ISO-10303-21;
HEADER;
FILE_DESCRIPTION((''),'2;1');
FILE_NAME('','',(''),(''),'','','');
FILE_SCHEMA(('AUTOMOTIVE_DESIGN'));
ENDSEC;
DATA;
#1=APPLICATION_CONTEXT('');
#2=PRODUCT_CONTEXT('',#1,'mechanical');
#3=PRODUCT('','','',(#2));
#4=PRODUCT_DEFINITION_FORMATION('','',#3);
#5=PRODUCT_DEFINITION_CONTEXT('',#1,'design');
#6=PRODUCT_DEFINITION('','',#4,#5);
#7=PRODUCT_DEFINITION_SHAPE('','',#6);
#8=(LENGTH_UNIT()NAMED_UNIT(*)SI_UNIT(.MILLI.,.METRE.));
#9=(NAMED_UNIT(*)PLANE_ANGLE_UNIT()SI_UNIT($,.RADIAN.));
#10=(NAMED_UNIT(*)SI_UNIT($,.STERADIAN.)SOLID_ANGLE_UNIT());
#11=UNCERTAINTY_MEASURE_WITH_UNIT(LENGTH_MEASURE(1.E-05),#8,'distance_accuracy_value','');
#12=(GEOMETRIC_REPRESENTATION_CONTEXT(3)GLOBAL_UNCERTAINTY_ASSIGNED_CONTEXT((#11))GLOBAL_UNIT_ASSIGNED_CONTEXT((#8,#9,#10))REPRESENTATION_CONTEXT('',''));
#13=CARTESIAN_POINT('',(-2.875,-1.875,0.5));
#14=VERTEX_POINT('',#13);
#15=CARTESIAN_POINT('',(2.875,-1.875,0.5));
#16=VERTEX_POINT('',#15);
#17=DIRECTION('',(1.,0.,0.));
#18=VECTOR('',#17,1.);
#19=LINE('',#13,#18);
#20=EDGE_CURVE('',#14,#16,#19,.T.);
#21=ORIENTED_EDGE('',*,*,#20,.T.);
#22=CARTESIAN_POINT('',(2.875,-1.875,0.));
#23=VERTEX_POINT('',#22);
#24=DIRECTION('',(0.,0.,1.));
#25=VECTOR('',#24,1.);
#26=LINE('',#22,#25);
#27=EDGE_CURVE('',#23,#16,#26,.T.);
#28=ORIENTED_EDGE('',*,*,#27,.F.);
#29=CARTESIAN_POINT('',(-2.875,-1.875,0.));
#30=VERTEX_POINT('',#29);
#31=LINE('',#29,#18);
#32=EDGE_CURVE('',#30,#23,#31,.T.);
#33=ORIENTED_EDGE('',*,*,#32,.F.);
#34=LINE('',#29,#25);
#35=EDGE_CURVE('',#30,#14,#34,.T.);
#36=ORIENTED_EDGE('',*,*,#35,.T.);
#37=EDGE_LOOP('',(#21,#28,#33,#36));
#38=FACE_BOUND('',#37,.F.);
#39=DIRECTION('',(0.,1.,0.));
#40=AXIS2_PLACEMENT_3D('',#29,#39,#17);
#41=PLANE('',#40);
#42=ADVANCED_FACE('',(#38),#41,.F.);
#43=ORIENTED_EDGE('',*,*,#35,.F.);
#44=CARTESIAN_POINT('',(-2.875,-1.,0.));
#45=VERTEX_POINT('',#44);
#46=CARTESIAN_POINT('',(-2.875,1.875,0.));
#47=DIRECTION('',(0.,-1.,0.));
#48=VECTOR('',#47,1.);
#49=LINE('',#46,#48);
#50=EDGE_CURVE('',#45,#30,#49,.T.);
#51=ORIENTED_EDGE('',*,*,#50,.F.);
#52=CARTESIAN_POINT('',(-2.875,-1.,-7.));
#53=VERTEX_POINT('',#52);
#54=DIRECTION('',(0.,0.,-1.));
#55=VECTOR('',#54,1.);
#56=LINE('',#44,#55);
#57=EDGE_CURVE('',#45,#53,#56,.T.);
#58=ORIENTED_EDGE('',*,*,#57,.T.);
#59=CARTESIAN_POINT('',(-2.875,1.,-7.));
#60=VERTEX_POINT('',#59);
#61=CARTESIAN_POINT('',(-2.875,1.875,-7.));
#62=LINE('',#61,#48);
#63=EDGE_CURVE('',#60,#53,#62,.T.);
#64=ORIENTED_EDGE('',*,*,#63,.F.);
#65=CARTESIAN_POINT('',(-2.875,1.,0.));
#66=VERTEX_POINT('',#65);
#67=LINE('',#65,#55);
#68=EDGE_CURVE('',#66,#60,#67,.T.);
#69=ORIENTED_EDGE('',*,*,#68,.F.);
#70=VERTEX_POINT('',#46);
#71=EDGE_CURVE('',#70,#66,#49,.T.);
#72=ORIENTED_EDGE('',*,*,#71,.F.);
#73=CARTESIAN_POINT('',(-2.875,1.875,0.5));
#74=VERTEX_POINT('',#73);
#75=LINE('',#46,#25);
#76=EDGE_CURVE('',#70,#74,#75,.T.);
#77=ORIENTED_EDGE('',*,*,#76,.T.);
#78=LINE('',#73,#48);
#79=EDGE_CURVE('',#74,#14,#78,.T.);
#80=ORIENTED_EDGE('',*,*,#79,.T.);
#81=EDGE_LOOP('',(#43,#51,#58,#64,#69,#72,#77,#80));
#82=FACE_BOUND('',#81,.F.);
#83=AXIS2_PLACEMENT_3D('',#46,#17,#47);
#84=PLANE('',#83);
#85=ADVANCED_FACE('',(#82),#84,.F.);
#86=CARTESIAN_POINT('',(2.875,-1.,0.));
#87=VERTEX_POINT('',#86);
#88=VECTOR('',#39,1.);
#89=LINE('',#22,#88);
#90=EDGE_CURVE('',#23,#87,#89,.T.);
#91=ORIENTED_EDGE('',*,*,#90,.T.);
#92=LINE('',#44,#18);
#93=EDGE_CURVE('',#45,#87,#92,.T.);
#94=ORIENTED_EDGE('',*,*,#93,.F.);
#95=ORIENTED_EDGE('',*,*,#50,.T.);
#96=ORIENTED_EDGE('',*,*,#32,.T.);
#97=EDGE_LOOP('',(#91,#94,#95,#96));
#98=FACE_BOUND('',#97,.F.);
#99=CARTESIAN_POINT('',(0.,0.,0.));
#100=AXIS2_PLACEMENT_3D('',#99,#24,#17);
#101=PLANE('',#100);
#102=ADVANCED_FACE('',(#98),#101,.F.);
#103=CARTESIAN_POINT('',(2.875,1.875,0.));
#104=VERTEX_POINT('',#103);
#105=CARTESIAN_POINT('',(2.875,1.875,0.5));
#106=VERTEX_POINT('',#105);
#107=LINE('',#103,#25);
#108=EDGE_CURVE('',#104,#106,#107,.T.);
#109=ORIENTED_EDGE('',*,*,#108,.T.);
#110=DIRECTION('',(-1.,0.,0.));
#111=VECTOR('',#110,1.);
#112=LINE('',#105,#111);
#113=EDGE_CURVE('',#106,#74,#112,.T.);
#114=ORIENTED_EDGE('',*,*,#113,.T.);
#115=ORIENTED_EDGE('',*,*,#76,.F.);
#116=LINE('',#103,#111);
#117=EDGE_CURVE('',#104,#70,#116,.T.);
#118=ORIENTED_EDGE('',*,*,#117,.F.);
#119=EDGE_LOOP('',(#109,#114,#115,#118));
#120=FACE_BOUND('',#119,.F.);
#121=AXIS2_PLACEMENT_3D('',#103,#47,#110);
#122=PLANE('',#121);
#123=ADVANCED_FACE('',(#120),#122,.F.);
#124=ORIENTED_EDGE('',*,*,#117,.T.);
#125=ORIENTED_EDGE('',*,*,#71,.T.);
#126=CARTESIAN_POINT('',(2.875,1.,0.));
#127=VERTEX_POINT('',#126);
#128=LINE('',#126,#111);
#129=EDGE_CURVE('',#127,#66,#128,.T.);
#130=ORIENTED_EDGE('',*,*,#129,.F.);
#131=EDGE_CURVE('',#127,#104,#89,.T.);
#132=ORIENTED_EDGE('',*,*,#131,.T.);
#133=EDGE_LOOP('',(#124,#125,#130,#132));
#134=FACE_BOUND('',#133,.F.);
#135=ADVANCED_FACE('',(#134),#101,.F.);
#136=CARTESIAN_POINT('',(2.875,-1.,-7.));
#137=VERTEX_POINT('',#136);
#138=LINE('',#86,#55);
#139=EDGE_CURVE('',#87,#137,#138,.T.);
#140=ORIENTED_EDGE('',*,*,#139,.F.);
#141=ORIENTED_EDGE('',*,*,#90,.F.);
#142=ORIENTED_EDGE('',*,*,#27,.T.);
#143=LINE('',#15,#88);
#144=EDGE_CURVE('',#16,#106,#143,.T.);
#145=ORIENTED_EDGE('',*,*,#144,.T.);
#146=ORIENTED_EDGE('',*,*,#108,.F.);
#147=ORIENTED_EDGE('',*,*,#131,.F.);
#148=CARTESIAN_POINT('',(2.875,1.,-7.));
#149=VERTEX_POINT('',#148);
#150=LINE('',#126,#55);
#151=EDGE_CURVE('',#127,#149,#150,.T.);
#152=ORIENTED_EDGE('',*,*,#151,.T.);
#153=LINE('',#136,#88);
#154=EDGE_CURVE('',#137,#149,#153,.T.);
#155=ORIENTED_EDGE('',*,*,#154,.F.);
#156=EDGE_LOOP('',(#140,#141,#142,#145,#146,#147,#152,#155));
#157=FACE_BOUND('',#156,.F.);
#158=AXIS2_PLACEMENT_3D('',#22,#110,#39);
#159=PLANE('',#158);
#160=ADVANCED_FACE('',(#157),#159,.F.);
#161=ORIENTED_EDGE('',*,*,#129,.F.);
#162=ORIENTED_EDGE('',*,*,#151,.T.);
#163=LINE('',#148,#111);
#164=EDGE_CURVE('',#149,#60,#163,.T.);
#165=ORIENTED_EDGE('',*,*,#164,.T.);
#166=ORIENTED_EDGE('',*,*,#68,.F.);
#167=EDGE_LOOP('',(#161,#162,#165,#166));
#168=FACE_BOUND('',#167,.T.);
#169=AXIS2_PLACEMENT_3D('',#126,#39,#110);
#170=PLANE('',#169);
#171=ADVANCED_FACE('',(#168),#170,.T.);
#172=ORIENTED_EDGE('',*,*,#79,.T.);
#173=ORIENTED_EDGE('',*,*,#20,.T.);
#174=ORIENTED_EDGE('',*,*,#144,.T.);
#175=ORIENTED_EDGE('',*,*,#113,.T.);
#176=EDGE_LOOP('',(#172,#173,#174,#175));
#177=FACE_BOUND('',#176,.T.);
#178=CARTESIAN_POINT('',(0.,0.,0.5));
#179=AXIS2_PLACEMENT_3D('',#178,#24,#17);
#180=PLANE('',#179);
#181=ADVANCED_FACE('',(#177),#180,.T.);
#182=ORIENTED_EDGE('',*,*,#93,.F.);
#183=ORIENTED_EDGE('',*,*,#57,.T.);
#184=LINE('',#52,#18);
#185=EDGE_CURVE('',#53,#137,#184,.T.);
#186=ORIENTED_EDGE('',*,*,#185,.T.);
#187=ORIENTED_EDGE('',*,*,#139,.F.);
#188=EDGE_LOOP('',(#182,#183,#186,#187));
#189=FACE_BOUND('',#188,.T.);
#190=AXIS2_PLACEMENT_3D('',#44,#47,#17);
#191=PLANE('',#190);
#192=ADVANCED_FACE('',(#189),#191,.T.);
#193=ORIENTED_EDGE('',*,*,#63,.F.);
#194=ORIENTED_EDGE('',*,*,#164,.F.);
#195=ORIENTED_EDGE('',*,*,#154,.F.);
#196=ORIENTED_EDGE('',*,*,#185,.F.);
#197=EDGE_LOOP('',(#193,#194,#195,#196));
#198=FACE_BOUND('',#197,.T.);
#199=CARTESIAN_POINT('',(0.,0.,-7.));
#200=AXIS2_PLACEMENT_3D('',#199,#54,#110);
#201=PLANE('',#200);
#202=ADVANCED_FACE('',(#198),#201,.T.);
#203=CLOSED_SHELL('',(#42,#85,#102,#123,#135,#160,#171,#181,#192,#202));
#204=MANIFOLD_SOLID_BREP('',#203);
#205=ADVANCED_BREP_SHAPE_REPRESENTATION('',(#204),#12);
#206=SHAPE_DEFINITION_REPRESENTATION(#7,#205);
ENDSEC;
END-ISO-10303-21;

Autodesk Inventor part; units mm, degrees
ref_plane "YZ Plane" through (0, 0, 0) normal (1, 0, 0) x (0, 1, 0)
ref_plane "XZ Plane" through (0, 0, 0) normal (0, 1, 0) x (-1, 0, 0)
ref_plane "XY Plane" through (0, 0, 0) normal (0, 0, 1) x (1, 0, 0)
sketch "Sketch1" plane through (0, 0, 0) normal (0, 0, 1) x (1, 0, 0)
  line L0 (-3, -1.125) -> (3, -1.125) construction
  line L1 (-3, -2) -> (3, -2) construction
  line L2 (-2.875, 1.875) -> (-2.875, -1.875)
  line L3 (-2.875, -1.875) -> (2.875, -1.875)
  line L4 (2.875, -1.875) -> (2.875, 1.875)
  line L5 (2.875, 1.875) -> (-2.875, 1.875)
  line L6 (-2.875, 1.875) -> (-2.875, 2) construction
  line L7 (-2.875, 1.875) -> (-3, 1.875) construction
  line L8 (-2.875, -1.875) -> (-2.875, -2) construction
  line L9 (3, -2) -> (3, -1.125) projected
  line L10 (-3, -1.125) -> (-3, -2) projected
  point P0 (0, 0)
extrude "Extrusion1" add sketch "Sketch1" along normal blind 0.5
sketch "Sketch2" plane through (0, 0, 0) normal (0, 0, -1) x (-1, 0, 0)
  line L0 (2.875, 1.875) -> (2.875, -1.875) projected
  line L1 (-2.875, 1) -> (2.875, 1)
  line L2 (2.875, 1) -> (2.875, -1)
  line L3 (2.875, -1) -> (-2.875, -1)
  line L4 (-2.875, -1) -> (-2.875, 1)
  line L5 (-2.875, 1) -> (2.875, -1) construction
  line L6 (2.875, 1) -> (-2.875, -1) construction
  point P0 (0, 0)
  dimension "d2" = 2
extrude "Extrusion2" add sketch "Sketch2" along normal blind 7
properties part number "Light Pipe Translucent" material "PET Plastic"
